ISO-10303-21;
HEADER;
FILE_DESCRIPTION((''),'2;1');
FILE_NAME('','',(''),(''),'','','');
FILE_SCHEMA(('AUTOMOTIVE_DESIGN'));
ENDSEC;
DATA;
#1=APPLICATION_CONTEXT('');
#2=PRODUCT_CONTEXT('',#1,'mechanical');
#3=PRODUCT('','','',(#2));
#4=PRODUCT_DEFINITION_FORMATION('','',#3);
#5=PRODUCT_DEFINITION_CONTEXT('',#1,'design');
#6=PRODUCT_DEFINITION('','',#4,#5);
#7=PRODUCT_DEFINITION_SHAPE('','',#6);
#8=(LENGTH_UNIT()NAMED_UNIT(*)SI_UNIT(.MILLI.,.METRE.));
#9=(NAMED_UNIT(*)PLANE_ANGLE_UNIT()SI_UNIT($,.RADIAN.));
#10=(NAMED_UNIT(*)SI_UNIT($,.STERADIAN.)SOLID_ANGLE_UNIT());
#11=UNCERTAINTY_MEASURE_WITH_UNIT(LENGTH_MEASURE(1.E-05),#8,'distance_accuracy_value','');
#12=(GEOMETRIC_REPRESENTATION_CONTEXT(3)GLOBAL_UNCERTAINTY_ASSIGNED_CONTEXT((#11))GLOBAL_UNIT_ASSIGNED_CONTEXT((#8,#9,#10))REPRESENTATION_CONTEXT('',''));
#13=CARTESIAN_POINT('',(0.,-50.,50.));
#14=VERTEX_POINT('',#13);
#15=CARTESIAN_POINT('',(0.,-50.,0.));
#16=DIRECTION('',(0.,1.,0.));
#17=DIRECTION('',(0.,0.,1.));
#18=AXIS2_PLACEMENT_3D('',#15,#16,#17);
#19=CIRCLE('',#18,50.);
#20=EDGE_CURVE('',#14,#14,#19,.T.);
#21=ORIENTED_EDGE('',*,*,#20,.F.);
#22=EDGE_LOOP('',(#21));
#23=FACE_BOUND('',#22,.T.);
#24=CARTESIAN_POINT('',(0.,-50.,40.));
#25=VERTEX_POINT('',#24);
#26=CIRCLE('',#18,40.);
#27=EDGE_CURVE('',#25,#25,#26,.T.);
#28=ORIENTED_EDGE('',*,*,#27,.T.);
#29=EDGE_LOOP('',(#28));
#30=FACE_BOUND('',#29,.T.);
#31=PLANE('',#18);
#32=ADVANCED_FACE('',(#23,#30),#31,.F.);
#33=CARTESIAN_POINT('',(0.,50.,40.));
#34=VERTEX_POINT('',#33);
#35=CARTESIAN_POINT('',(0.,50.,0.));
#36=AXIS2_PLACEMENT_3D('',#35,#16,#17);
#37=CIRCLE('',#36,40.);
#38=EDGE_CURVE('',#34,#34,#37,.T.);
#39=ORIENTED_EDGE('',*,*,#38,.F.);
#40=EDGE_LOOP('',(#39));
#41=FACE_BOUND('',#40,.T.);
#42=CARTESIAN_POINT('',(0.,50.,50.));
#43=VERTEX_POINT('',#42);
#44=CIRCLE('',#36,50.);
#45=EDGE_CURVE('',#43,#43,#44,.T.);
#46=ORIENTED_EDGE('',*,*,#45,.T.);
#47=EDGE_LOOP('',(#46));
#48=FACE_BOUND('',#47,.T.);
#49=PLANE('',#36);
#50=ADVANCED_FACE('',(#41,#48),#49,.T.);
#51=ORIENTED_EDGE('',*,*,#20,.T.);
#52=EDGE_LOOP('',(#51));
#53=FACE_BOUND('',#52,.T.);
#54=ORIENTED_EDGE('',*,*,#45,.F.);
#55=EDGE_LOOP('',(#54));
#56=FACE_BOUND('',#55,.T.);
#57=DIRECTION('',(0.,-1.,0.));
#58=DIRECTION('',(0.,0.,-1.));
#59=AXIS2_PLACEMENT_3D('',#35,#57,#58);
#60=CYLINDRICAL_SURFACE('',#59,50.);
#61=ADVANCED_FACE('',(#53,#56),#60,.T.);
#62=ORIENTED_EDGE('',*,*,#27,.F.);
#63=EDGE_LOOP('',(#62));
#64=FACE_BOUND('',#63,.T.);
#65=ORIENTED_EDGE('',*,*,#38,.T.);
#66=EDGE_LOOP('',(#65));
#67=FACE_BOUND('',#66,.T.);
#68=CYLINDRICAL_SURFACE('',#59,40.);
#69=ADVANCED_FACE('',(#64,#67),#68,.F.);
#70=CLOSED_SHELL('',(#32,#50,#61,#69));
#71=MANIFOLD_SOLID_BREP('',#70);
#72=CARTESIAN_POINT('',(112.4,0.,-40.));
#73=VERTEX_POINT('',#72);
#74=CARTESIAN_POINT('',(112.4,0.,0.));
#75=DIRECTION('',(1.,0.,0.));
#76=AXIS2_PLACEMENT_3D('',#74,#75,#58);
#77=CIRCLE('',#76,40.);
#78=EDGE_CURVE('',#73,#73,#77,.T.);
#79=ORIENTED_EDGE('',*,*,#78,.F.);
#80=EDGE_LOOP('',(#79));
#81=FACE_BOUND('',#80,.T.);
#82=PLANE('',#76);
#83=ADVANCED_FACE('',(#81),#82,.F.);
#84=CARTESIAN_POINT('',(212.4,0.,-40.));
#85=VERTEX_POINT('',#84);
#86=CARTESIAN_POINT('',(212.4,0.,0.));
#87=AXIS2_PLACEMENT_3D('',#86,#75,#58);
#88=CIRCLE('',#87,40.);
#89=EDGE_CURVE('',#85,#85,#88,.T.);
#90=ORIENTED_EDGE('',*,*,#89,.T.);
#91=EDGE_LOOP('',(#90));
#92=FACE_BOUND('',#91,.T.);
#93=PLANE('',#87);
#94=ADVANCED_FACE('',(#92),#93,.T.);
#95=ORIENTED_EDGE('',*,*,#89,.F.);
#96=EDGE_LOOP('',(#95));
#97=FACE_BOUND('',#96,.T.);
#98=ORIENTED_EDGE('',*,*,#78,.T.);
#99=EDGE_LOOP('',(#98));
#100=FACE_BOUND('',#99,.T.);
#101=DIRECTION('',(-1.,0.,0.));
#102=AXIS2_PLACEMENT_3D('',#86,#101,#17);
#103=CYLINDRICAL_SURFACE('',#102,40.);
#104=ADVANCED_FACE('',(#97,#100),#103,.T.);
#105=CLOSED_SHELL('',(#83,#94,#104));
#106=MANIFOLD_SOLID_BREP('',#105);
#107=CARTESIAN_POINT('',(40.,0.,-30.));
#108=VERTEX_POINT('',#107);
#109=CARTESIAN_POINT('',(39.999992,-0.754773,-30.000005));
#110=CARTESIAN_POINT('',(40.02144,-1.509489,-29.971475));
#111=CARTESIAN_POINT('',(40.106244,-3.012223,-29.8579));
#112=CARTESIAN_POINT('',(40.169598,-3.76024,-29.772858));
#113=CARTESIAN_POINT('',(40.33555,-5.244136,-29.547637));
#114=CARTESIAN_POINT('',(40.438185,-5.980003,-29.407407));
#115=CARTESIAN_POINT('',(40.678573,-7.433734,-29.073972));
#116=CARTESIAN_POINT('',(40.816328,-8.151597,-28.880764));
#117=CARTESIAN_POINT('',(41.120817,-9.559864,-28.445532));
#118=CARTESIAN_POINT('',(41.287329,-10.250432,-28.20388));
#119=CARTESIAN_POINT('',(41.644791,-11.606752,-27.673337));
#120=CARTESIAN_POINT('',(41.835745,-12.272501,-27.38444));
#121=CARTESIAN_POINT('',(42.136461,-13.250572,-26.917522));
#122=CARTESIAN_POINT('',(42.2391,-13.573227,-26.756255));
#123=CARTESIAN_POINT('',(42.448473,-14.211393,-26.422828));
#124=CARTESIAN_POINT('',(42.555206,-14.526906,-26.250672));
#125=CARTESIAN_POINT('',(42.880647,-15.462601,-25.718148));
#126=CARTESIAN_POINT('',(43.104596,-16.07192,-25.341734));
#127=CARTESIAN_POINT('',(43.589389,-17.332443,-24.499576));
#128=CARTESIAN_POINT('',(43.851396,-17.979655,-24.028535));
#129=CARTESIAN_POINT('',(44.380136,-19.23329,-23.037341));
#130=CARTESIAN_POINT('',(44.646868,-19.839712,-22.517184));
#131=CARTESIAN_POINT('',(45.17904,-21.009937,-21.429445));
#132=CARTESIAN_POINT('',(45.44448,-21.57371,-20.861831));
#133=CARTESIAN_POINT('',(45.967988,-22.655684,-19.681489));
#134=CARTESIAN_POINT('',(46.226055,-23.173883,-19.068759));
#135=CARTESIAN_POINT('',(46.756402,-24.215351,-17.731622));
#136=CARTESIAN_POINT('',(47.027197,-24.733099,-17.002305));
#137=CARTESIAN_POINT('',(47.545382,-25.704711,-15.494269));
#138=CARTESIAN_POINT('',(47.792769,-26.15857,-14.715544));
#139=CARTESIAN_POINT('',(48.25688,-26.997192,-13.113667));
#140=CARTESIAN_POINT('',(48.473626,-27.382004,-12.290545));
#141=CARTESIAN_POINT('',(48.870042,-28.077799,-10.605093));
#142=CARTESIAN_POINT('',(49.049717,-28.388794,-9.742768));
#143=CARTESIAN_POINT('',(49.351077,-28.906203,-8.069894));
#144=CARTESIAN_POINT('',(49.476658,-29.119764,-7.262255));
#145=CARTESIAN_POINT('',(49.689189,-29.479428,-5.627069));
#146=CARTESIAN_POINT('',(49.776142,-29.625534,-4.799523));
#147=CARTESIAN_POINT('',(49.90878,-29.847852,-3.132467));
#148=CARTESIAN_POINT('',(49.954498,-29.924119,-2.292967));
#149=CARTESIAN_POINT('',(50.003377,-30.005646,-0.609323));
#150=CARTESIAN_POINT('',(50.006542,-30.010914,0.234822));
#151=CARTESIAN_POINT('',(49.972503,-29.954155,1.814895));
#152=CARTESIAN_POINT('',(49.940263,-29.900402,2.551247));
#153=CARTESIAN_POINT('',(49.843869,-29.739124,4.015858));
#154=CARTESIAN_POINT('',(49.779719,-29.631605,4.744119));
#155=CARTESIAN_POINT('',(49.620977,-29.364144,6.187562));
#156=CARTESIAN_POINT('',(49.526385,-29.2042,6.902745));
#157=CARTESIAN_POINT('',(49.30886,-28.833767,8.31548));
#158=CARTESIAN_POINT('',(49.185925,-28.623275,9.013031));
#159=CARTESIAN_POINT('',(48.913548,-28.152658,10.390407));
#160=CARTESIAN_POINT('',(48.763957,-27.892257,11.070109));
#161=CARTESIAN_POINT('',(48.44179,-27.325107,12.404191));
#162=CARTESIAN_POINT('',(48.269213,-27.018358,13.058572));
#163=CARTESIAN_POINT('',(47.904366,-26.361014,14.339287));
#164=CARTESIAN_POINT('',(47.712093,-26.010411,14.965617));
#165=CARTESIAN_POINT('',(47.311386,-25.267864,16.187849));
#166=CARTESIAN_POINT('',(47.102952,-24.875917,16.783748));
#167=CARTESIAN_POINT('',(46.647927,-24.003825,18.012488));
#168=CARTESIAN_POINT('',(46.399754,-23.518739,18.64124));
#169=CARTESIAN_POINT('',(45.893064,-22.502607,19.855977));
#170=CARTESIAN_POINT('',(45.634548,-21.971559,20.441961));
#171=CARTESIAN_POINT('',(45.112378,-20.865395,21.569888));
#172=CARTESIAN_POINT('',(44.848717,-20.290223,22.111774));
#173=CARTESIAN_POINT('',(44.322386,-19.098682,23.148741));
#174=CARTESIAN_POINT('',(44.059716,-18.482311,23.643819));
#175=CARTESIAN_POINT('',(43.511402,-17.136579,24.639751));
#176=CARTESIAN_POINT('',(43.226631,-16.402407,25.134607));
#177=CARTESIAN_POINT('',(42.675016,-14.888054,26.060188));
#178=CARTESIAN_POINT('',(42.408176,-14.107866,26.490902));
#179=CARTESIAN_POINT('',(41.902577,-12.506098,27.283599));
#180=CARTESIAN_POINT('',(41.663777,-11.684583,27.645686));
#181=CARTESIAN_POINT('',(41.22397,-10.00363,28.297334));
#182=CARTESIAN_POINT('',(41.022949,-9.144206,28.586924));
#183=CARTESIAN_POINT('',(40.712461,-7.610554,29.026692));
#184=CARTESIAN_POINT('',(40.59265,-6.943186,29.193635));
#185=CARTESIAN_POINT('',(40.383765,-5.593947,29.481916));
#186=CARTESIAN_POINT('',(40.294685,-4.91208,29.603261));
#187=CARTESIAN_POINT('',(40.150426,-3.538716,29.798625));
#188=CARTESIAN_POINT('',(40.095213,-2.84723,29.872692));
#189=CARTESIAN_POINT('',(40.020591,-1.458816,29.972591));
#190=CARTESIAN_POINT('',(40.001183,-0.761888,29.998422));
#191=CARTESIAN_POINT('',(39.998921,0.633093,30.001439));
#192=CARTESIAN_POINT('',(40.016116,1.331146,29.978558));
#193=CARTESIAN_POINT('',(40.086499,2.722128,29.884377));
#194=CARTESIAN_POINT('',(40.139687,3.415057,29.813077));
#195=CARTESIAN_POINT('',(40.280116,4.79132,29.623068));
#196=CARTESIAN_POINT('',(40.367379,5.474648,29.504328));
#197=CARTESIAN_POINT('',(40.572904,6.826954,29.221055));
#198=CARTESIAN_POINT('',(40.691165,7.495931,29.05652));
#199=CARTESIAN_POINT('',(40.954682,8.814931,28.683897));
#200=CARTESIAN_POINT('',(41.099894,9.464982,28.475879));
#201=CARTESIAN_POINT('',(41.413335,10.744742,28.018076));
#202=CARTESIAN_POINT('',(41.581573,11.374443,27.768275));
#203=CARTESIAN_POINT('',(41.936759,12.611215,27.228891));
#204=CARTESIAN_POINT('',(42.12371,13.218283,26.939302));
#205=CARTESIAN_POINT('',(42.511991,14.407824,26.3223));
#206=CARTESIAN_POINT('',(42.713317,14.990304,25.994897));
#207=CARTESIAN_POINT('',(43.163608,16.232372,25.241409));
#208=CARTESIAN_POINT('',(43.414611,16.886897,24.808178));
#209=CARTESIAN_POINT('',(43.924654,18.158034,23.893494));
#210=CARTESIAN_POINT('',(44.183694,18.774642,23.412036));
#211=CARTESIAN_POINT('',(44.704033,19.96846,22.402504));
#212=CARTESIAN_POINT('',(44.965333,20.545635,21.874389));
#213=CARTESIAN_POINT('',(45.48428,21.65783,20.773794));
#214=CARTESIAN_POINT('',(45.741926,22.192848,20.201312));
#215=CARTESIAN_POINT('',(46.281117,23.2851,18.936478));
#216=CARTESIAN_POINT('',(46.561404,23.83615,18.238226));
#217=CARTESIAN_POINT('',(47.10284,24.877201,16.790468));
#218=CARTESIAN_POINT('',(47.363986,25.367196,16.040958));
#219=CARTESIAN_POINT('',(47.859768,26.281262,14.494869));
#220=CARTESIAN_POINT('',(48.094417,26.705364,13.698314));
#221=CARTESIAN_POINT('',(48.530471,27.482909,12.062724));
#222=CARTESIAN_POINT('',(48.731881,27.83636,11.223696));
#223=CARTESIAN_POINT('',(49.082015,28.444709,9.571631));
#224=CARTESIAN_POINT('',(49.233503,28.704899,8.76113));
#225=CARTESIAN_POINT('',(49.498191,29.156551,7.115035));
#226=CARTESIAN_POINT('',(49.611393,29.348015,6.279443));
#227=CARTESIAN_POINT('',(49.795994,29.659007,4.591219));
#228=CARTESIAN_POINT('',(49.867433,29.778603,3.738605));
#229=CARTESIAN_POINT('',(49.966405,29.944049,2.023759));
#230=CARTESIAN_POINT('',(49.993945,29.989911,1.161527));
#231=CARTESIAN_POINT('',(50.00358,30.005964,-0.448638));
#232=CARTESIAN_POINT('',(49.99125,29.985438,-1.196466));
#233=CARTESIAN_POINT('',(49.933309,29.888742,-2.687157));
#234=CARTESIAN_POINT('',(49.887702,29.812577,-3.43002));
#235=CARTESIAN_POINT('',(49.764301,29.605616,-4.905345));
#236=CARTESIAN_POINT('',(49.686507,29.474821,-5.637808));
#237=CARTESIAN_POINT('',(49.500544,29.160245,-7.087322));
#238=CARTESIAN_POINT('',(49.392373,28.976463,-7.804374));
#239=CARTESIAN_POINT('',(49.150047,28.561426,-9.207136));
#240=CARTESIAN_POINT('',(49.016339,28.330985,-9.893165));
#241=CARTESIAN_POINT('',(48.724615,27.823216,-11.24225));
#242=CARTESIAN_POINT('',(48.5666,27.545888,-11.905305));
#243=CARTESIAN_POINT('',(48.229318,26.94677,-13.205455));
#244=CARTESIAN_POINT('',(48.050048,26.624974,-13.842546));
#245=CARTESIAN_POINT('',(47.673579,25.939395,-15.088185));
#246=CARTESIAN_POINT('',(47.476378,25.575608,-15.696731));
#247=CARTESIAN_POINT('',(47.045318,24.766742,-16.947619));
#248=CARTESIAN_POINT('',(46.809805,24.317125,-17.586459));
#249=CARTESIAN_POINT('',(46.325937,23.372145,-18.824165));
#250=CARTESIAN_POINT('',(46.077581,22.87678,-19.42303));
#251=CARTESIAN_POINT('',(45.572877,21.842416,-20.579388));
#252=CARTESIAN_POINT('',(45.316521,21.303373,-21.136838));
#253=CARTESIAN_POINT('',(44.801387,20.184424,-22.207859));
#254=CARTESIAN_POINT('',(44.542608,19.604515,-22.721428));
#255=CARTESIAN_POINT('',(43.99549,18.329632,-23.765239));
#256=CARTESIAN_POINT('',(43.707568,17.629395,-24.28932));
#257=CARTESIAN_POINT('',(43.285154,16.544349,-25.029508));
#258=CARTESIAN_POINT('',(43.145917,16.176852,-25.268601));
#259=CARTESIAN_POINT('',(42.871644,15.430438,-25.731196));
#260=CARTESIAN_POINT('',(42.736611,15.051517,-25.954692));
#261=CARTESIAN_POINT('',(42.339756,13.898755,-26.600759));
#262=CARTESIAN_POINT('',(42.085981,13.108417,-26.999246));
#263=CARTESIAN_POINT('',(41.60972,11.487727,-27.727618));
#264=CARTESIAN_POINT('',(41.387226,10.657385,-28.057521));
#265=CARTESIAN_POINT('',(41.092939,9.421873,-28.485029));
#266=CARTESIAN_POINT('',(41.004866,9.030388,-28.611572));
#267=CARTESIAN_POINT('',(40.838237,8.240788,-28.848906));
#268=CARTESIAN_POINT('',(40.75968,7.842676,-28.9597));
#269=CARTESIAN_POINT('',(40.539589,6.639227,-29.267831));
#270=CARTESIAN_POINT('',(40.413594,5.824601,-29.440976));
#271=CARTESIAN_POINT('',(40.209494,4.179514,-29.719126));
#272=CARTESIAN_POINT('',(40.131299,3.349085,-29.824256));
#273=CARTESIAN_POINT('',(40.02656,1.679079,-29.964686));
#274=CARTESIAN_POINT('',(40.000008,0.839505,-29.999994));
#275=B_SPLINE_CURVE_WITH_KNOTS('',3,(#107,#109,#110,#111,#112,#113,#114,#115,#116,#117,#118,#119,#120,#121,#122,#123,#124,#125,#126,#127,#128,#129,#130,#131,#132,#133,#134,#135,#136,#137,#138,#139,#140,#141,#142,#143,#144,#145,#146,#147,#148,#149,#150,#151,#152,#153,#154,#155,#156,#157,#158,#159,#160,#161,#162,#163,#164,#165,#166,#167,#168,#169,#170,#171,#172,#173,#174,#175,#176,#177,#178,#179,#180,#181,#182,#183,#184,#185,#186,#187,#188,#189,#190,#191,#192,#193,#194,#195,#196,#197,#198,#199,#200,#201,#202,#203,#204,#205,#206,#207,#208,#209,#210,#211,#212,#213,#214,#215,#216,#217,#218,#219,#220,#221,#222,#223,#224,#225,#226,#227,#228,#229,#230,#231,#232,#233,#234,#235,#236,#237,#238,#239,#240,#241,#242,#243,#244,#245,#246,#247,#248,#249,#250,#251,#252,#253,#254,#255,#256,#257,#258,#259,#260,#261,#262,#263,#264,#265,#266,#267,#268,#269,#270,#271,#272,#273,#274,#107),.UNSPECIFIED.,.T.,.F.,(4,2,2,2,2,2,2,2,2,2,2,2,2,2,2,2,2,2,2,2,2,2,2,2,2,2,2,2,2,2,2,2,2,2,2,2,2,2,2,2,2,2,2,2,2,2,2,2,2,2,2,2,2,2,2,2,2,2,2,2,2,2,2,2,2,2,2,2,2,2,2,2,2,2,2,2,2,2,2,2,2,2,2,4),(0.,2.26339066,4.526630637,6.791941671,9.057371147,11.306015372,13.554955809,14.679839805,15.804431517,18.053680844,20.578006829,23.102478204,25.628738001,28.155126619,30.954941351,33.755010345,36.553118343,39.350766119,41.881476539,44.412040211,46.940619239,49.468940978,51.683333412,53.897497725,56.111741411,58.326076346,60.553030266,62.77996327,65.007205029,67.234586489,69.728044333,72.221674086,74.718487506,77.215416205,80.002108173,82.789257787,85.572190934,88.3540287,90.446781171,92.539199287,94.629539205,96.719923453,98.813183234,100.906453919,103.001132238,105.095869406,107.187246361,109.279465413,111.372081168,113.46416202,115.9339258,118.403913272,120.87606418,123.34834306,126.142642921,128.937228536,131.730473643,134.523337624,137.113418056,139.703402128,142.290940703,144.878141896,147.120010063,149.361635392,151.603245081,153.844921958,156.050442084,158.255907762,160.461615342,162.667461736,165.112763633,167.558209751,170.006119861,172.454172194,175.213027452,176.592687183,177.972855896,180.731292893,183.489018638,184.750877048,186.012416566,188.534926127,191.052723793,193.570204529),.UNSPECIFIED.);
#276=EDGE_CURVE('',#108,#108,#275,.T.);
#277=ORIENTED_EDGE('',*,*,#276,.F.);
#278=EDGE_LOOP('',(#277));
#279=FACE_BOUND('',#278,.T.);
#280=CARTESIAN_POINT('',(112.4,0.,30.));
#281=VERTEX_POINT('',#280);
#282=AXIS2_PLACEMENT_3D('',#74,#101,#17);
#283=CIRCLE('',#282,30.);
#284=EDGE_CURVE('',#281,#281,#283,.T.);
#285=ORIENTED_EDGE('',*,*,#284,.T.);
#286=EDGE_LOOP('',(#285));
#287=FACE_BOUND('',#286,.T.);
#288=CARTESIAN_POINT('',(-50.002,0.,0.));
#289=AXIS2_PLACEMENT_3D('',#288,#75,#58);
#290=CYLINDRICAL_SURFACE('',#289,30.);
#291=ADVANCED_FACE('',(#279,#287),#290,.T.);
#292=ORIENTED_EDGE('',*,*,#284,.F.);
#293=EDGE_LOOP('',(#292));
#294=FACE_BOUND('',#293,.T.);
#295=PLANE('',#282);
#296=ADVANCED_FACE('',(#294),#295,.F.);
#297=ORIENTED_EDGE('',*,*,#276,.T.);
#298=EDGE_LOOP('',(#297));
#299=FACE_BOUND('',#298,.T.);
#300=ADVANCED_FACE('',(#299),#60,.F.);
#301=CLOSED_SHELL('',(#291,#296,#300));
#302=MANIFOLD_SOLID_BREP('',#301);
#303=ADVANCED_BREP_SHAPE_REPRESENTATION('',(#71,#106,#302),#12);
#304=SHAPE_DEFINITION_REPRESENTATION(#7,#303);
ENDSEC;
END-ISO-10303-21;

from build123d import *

# Parameters (mm, degrees)
SKETCH_1_R           = 50
SKETCH_1_R_2         = 40
EXTRUDE_1_DEPTH      = 50
SKETCH_2_R           = 40
EXTRUDE_2_DEPTH      = 50
EXTRUDE_3_REACH      = 179.126
EXTRUDE_3_END_RADIUS = 50
SKETCH_4_R           = 30


with BuildPart() as part:
    # 草图1 → 凸台-拉伸1 (new, symmetric)
    with BuildSketch(Plane(origin=(0, 0, 0), x_dir=(1, 0, 0), z_dir=(0, 1, 0))):
        with Locations(Location((0, 0, 0), (0, 0, 270))):
            Circle(SKETCH_1_R)
        with Locations(Location((0, 0, 0), (0, 0, 270))):
            Circle(SKETCH_1_R_2, mode=Mode.SUBTRACT)
    extrude(amount=EXTRUDE_1_DEPTH, both=True)


with BuildPart() as body_2:
    # 草图2 → 凸台-拉伸2 (new, symmetric)
    with BuildSketch(Plane(origin=(162.4, 0, 0), x_dir=(0, 0, -1), z_dir=(1, 0, 0))):
        Circle(SKETCH_2_R)
    extrude(amount=EXTRUDE_2_DEPTH, both=True)


with BuildPart() as body_3:
    # 凸台-拉伸3: up to this cylinder (the profile starts outside it)
    extrude_3_end = Plane(origin=(0, 0, 0), z_dir=(0, -1, 0)) * Cylinder(EXTRUDE_3_END_RADIUS, 459.252, mode=Mode.PRIVATE)
    # 草图4 → 凸台-拉伸3 (new, up to the surface)
    with BuildSketch(Plane.ZY.offset(-112.4), mode=Mode.PRIVATE) as extrude_3_sk1:
        with Locations(Location((0, 0, 0), (0, 0, 180))):
            Circle(SKETCH_4_R)
    extrude_3_tool1 = extrude(extrude_3_sk1.sketch, amount=EXTRUDE_3_REACH, mode=Mode.PRIVATE) - extrude_3_end
    add(extrude_3_tool1.solids().sort_by_distance((112.4, 0, 0))[0])


solid = Compound([part.part, body_2.part, body_3.part])
